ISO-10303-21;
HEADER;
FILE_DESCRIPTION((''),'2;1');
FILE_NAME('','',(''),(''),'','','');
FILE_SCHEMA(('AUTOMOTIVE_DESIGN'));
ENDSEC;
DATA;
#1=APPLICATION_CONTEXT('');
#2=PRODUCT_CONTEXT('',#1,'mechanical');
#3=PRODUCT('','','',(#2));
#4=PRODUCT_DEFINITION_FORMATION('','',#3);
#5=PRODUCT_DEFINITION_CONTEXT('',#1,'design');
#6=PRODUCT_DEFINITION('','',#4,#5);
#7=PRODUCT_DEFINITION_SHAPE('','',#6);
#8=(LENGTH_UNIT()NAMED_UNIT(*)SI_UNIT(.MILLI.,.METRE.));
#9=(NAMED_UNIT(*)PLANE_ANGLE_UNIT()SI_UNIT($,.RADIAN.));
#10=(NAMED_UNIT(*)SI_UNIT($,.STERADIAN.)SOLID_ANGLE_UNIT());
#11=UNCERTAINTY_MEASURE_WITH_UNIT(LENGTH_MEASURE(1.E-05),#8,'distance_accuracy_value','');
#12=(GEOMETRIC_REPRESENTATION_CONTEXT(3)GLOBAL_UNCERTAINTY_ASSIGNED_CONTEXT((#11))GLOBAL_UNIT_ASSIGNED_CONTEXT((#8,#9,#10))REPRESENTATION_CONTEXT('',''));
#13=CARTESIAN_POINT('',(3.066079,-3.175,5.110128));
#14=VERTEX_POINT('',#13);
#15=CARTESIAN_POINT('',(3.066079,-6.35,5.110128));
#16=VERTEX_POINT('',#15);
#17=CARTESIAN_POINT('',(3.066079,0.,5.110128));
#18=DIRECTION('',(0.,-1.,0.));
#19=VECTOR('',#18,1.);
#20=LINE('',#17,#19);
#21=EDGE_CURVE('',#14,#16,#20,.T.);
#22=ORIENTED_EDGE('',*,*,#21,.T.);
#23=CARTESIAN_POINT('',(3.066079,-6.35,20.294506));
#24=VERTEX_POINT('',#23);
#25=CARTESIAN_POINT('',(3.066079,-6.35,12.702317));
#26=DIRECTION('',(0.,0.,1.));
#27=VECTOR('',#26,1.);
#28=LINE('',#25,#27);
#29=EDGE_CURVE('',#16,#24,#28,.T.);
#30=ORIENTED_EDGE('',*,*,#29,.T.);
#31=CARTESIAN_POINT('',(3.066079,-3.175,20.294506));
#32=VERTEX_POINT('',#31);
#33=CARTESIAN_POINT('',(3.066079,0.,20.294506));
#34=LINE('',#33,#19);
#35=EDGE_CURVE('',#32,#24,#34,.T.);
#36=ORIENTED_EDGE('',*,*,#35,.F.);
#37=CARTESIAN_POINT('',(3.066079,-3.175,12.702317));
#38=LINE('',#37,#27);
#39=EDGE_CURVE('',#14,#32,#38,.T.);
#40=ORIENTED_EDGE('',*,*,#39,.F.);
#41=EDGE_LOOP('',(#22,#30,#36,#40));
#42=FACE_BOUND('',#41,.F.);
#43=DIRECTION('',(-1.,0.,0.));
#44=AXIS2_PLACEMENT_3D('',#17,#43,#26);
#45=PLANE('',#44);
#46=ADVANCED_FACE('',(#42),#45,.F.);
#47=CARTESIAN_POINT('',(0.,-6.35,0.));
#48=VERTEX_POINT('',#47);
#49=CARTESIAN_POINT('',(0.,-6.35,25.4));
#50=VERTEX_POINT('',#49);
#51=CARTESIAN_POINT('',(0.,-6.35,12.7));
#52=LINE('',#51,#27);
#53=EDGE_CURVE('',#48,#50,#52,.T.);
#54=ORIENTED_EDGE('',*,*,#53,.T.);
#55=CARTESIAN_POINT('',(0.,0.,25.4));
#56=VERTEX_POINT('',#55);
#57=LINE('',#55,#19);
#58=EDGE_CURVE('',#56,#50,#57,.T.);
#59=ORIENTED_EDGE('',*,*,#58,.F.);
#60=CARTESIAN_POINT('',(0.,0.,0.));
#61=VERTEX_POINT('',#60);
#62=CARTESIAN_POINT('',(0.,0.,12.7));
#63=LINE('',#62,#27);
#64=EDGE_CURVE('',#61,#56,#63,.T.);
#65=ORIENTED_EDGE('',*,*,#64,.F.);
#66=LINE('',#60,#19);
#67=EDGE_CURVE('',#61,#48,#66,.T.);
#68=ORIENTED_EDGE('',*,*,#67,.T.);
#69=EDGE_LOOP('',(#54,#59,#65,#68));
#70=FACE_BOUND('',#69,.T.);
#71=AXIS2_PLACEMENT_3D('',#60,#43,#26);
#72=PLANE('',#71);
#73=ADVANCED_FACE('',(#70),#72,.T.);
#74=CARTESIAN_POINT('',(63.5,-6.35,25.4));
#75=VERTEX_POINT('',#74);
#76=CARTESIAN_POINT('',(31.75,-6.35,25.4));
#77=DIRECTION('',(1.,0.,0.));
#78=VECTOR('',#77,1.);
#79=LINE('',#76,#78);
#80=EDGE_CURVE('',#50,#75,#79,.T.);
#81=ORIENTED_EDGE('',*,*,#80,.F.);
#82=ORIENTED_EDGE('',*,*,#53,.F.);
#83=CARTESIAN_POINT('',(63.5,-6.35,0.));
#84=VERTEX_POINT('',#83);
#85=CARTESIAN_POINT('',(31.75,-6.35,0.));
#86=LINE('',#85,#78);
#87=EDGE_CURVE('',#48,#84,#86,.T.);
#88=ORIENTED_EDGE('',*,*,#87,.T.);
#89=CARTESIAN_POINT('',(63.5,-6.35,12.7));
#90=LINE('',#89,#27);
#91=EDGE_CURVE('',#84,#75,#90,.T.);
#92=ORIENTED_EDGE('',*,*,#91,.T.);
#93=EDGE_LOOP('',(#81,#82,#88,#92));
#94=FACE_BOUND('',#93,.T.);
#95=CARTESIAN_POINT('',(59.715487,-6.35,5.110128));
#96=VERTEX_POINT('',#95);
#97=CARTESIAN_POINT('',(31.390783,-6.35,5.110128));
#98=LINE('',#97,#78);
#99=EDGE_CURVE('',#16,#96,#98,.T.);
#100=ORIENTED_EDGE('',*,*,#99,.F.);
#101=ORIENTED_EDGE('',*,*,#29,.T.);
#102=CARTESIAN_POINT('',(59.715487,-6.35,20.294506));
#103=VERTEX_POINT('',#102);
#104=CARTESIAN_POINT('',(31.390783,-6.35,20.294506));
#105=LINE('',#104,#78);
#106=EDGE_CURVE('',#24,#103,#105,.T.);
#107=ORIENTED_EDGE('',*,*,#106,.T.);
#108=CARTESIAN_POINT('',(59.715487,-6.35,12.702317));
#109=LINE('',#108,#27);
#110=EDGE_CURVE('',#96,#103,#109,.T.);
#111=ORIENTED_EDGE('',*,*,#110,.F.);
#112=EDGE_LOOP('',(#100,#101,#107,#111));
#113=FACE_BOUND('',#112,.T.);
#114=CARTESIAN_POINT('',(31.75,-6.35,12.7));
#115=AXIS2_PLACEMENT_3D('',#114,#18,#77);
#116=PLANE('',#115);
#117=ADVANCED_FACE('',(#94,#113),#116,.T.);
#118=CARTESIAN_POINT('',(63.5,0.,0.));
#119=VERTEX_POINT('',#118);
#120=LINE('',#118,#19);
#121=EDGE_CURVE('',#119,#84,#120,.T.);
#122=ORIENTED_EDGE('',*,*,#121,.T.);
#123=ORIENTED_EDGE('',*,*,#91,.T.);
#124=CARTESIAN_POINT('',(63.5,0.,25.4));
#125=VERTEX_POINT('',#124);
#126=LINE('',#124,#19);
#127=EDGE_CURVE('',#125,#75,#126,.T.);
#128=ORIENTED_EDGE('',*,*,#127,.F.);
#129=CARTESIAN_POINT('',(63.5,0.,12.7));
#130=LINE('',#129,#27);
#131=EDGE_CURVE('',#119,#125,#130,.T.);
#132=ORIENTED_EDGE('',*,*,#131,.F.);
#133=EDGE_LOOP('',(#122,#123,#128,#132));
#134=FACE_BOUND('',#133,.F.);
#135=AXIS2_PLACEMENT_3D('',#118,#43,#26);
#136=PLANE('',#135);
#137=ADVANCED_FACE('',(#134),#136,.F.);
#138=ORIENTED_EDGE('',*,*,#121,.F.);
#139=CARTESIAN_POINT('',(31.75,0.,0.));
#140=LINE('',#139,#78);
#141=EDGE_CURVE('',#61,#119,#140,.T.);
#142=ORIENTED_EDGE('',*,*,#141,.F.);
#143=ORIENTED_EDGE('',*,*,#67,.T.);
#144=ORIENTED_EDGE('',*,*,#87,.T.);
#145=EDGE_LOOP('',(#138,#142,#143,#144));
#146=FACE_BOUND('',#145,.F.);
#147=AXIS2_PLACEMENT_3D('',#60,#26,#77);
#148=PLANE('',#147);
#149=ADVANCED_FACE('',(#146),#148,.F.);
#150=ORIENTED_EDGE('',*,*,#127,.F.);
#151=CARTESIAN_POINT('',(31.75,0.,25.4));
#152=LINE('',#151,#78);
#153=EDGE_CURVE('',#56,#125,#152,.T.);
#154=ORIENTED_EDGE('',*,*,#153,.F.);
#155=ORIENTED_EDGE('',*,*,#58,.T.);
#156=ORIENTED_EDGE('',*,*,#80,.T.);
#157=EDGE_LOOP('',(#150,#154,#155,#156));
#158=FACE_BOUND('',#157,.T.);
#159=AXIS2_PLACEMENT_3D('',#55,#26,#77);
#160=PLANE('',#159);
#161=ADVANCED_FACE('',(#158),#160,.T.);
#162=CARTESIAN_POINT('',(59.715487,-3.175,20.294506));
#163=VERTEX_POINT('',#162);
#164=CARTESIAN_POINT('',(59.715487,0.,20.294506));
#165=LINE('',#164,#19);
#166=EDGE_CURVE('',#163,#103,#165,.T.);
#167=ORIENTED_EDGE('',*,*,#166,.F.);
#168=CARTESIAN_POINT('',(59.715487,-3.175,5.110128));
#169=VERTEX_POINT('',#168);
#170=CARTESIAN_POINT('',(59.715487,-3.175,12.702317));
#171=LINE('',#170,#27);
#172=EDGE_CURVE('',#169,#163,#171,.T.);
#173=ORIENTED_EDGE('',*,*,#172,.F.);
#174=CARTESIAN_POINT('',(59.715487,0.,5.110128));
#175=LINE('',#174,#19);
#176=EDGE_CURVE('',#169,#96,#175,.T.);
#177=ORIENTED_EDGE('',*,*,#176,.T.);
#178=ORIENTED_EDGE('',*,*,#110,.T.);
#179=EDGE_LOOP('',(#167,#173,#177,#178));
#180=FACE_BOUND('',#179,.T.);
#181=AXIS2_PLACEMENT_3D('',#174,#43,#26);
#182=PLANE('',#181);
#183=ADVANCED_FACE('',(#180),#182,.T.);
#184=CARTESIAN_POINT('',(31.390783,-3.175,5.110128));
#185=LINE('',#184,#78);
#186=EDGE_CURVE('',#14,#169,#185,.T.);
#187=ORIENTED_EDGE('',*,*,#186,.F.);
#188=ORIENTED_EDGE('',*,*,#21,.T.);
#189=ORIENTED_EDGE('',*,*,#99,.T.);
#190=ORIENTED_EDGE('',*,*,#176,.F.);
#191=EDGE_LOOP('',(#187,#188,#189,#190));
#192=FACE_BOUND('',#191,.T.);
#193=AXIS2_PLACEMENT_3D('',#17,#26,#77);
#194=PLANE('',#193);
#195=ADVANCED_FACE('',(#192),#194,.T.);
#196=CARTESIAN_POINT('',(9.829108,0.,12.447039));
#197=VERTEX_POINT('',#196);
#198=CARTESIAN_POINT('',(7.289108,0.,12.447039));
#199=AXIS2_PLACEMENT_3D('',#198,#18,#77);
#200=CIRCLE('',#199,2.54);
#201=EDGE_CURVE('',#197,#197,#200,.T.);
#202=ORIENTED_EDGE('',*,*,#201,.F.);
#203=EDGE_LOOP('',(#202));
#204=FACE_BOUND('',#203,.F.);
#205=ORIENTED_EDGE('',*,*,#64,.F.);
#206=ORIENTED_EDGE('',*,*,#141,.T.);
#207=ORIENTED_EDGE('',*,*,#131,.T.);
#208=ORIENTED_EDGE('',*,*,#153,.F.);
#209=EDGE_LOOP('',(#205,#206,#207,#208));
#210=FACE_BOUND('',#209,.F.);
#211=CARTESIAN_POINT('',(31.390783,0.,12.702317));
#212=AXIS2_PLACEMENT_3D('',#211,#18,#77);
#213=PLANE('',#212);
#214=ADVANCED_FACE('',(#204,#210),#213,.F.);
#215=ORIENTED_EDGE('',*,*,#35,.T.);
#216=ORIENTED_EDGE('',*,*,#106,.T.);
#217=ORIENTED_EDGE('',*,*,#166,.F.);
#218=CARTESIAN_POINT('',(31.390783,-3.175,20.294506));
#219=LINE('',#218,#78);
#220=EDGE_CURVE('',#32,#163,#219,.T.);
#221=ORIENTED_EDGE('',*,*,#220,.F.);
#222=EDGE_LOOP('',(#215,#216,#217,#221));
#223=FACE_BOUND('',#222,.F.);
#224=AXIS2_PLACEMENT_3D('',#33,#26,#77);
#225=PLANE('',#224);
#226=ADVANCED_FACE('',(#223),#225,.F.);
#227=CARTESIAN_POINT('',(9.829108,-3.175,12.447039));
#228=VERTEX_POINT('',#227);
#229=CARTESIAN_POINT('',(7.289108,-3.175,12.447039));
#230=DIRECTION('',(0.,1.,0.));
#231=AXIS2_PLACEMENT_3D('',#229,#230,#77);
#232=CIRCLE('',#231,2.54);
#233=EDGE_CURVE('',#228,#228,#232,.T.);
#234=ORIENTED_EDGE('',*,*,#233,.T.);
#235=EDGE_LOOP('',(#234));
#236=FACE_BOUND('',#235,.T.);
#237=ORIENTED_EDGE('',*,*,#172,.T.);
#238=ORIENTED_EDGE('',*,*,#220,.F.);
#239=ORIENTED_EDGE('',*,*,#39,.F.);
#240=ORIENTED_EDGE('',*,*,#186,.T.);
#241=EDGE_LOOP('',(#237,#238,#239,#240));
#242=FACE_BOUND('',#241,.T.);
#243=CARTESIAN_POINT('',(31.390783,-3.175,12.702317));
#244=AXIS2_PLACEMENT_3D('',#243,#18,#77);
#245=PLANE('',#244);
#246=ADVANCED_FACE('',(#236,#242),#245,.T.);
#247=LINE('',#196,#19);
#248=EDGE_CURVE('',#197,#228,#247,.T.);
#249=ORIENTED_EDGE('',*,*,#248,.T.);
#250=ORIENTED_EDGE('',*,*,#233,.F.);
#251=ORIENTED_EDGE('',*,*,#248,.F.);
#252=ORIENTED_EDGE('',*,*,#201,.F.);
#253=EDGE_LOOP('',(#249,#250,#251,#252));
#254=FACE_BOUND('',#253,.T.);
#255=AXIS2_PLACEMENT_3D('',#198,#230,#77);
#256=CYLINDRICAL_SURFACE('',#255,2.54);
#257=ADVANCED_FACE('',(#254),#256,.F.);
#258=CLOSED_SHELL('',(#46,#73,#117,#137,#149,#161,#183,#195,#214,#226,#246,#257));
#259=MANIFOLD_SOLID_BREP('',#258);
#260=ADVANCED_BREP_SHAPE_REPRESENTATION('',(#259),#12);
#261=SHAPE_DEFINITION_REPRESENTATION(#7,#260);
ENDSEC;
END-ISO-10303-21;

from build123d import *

# Parameters (mm, degrees)
F0_W     = 63.5
F0_H     = 25.4
F0_W_2   = 56.649408
F0_H_2   = 15.184378
F1_DEPTH = 6.35
F2_DEPTH = 3.175
F3_R     = 2.54
F4_DEPTH = 25.4


with BuildPart() as f1:
    # F0 (on Front) → F1 (new body)
    with BuildSketch(Plane.XZ):
        with Locations((31.75, 12.7)):
            Rectangle(F0_W, F0_H)
        with Locations((31.390783, 12.702317)):
            Rectangle(F0_W_2, F0_H_2, mode=Mode.SUBTRACT)
    extrude(amount=F1_DEPTH)

    # F0 (on Front) → F2 (join)
    with BuildSketch(Plane.XZ):
        with Locations((31.390783, 12.702317)):
            Rectangle(F0_W_2, F0_H_2)
    extrude(amount=F2_DEPTH)

    # F3 (on Front) → F4 (cut)
    with BuildSketch(Plane.XZ):
        with Locations((7.289108, 12.447039)):
            Circle(F3_R)
    extrude(amount=F4_DEPTH, mode=Mode.SUBTRACT)


solid = f1.part
